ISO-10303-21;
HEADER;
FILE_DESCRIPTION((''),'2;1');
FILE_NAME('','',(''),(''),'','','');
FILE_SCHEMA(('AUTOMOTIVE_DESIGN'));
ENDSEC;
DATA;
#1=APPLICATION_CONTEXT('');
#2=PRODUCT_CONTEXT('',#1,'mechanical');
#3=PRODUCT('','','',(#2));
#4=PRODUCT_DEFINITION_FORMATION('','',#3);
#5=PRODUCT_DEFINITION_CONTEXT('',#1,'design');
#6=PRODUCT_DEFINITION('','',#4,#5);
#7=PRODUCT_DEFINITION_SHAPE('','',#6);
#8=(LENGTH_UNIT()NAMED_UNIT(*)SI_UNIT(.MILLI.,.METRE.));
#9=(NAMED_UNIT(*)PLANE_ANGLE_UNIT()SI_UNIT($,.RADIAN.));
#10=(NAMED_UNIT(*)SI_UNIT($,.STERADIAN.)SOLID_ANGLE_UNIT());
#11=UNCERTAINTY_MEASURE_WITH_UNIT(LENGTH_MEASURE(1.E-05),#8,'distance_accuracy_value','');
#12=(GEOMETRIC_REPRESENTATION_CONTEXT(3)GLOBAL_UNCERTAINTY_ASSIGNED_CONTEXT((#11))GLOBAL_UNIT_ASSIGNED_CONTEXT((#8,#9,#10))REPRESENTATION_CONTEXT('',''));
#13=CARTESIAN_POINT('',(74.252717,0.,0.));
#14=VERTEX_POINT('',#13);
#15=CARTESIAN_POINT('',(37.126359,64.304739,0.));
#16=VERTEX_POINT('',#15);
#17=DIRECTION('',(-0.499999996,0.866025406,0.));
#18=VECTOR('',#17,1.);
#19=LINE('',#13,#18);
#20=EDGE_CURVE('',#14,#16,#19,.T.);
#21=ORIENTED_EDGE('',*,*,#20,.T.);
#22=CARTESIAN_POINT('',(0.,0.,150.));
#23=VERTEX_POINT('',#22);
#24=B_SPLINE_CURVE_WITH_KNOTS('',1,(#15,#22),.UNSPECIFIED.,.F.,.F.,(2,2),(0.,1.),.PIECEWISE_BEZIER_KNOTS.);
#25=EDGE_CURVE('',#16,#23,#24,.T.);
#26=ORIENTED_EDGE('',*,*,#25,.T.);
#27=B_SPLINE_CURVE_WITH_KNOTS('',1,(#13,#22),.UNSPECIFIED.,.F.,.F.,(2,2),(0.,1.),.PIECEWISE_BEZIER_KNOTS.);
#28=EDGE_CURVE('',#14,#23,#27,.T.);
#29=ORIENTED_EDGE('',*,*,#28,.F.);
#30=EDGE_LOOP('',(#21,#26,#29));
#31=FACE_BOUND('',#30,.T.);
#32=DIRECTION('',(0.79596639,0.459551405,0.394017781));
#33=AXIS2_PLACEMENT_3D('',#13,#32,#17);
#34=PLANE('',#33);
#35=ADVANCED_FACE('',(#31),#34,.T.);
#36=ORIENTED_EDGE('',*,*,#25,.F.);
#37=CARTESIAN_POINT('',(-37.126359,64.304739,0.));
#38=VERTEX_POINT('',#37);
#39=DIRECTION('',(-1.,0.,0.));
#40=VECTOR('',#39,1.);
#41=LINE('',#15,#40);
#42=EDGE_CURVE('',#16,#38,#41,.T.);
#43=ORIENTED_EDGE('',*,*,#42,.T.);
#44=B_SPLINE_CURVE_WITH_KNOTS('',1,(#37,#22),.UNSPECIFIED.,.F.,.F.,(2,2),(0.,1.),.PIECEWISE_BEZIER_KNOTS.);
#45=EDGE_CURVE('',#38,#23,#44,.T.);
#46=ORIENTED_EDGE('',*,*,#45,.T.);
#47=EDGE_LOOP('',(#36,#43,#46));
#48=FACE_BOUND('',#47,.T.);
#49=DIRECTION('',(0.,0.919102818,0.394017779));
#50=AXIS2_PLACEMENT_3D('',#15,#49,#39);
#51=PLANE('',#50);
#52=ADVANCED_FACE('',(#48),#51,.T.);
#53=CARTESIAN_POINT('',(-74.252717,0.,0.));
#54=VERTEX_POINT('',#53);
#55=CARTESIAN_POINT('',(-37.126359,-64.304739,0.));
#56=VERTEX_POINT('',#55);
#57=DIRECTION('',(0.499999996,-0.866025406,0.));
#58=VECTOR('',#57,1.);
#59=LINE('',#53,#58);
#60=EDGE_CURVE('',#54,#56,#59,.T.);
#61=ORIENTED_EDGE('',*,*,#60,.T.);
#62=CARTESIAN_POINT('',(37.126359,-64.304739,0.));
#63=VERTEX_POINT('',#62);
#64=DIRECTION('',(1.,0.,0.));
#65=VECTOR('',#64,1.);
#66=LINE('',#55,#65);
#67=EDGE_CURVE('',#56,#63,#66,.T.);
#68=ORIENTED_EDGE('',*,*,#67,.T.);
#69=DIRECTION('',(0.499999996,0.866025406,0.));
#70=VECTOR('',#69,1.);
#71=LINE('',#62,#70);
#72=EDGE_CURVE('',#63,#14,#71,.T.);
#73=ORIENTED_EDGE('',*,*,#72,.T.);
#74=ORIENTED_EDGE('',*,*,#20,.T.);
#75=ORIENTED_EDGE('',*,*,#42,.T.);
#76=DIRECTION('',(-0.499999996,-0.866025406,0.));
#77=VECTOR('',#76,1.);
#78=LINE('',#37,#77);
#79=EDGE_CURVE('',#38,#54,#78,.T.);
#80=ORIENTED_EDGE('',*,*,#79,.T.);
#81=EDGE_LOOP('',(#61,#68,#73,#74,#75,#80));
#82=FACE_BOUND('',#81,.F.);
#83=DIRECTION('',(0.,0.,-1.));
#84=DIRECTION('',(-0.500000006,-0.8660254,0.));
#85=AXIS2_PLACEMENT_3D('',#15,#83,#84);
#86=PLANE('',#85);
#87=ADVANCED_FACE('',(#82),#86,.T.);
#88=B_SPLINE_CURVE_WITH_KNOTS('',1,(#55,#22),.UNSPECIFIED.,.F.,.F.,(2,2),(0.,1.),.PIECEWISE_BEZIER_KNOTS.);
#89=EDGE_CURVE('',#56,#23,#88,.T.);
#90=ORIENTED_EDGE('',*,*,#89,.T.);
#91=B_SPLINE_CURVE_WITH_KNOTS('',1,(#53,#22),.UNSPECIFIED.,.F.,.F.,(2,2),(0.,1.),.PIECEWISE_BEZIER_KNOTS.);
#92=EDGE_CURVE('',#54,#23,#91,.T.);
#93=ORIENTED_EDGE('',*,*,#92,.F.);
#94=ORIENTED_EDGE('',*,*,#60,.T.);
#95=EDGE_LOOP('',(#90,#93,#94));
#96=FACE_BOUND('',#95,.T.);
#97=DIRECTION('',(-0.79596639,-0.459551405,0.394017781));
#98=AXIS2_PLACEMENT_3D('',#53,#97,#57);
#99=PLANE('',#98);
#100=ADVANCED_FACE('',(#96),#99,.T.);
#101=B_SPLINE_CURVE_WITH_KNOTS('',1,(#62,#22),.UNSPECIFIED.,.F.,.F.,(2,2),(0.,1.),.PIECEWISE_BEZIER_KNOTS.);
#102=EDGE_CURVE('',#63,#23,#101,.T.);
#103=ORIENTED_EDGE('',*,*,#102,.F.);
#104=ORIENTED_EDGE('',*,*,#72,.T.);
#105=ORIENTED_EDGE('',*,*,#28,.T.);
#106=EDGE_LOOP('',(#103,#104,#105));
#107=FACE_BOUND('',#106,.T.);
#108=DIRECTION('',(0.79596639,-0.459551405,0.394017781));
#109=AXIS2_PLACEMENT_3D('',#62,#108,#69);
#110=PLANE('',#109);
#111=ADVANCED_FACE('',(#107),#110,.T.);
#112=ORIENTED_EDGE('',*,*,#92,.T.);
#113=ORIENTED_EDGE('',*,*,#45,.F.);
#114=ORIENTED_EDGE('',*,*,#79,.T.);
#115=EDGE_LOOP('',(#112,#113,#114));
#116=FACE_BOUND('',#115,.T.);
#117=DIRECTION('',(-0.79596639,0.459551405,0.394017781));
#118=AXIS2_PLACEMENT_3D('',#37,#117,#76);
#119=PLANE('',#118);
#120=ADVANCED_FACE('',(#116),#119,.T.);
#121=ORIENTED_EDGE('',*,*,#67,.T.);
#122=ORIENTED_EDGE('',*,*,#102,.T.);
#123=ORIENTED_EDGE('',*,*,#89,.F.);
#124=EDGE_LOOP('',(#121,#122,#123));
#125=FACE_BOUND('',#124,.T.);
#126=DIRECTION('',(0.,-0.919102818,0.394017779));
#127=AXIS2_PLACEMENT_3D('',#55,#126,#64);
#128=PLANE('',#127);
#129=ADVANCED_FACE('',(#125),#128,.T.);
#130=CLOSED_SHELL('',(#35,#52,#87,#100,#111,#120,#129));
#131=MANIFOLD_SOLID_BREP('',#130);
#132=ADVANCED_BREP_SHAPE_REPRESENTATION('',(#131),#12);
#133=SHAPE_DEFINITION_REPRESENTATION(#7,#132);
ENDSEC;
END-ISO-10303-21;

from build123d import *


with BuildPart() as f3:
    # F0 (on Top) → F3 section 0
    with BuildSketch(Plane.XY, mode=Mode.PRIVATE) as f3_s0:
        Polygon((37.126359, 64.304739), (-37.126359, 64.304739), (-74.252717, 0), (-37.126359, -64.304739), (37.126359, -64.304739), (74.252717, 0), align=None)
    loft([f3_s0.sketch, Vertex(0, 0, 150)])


solid = f3.part
